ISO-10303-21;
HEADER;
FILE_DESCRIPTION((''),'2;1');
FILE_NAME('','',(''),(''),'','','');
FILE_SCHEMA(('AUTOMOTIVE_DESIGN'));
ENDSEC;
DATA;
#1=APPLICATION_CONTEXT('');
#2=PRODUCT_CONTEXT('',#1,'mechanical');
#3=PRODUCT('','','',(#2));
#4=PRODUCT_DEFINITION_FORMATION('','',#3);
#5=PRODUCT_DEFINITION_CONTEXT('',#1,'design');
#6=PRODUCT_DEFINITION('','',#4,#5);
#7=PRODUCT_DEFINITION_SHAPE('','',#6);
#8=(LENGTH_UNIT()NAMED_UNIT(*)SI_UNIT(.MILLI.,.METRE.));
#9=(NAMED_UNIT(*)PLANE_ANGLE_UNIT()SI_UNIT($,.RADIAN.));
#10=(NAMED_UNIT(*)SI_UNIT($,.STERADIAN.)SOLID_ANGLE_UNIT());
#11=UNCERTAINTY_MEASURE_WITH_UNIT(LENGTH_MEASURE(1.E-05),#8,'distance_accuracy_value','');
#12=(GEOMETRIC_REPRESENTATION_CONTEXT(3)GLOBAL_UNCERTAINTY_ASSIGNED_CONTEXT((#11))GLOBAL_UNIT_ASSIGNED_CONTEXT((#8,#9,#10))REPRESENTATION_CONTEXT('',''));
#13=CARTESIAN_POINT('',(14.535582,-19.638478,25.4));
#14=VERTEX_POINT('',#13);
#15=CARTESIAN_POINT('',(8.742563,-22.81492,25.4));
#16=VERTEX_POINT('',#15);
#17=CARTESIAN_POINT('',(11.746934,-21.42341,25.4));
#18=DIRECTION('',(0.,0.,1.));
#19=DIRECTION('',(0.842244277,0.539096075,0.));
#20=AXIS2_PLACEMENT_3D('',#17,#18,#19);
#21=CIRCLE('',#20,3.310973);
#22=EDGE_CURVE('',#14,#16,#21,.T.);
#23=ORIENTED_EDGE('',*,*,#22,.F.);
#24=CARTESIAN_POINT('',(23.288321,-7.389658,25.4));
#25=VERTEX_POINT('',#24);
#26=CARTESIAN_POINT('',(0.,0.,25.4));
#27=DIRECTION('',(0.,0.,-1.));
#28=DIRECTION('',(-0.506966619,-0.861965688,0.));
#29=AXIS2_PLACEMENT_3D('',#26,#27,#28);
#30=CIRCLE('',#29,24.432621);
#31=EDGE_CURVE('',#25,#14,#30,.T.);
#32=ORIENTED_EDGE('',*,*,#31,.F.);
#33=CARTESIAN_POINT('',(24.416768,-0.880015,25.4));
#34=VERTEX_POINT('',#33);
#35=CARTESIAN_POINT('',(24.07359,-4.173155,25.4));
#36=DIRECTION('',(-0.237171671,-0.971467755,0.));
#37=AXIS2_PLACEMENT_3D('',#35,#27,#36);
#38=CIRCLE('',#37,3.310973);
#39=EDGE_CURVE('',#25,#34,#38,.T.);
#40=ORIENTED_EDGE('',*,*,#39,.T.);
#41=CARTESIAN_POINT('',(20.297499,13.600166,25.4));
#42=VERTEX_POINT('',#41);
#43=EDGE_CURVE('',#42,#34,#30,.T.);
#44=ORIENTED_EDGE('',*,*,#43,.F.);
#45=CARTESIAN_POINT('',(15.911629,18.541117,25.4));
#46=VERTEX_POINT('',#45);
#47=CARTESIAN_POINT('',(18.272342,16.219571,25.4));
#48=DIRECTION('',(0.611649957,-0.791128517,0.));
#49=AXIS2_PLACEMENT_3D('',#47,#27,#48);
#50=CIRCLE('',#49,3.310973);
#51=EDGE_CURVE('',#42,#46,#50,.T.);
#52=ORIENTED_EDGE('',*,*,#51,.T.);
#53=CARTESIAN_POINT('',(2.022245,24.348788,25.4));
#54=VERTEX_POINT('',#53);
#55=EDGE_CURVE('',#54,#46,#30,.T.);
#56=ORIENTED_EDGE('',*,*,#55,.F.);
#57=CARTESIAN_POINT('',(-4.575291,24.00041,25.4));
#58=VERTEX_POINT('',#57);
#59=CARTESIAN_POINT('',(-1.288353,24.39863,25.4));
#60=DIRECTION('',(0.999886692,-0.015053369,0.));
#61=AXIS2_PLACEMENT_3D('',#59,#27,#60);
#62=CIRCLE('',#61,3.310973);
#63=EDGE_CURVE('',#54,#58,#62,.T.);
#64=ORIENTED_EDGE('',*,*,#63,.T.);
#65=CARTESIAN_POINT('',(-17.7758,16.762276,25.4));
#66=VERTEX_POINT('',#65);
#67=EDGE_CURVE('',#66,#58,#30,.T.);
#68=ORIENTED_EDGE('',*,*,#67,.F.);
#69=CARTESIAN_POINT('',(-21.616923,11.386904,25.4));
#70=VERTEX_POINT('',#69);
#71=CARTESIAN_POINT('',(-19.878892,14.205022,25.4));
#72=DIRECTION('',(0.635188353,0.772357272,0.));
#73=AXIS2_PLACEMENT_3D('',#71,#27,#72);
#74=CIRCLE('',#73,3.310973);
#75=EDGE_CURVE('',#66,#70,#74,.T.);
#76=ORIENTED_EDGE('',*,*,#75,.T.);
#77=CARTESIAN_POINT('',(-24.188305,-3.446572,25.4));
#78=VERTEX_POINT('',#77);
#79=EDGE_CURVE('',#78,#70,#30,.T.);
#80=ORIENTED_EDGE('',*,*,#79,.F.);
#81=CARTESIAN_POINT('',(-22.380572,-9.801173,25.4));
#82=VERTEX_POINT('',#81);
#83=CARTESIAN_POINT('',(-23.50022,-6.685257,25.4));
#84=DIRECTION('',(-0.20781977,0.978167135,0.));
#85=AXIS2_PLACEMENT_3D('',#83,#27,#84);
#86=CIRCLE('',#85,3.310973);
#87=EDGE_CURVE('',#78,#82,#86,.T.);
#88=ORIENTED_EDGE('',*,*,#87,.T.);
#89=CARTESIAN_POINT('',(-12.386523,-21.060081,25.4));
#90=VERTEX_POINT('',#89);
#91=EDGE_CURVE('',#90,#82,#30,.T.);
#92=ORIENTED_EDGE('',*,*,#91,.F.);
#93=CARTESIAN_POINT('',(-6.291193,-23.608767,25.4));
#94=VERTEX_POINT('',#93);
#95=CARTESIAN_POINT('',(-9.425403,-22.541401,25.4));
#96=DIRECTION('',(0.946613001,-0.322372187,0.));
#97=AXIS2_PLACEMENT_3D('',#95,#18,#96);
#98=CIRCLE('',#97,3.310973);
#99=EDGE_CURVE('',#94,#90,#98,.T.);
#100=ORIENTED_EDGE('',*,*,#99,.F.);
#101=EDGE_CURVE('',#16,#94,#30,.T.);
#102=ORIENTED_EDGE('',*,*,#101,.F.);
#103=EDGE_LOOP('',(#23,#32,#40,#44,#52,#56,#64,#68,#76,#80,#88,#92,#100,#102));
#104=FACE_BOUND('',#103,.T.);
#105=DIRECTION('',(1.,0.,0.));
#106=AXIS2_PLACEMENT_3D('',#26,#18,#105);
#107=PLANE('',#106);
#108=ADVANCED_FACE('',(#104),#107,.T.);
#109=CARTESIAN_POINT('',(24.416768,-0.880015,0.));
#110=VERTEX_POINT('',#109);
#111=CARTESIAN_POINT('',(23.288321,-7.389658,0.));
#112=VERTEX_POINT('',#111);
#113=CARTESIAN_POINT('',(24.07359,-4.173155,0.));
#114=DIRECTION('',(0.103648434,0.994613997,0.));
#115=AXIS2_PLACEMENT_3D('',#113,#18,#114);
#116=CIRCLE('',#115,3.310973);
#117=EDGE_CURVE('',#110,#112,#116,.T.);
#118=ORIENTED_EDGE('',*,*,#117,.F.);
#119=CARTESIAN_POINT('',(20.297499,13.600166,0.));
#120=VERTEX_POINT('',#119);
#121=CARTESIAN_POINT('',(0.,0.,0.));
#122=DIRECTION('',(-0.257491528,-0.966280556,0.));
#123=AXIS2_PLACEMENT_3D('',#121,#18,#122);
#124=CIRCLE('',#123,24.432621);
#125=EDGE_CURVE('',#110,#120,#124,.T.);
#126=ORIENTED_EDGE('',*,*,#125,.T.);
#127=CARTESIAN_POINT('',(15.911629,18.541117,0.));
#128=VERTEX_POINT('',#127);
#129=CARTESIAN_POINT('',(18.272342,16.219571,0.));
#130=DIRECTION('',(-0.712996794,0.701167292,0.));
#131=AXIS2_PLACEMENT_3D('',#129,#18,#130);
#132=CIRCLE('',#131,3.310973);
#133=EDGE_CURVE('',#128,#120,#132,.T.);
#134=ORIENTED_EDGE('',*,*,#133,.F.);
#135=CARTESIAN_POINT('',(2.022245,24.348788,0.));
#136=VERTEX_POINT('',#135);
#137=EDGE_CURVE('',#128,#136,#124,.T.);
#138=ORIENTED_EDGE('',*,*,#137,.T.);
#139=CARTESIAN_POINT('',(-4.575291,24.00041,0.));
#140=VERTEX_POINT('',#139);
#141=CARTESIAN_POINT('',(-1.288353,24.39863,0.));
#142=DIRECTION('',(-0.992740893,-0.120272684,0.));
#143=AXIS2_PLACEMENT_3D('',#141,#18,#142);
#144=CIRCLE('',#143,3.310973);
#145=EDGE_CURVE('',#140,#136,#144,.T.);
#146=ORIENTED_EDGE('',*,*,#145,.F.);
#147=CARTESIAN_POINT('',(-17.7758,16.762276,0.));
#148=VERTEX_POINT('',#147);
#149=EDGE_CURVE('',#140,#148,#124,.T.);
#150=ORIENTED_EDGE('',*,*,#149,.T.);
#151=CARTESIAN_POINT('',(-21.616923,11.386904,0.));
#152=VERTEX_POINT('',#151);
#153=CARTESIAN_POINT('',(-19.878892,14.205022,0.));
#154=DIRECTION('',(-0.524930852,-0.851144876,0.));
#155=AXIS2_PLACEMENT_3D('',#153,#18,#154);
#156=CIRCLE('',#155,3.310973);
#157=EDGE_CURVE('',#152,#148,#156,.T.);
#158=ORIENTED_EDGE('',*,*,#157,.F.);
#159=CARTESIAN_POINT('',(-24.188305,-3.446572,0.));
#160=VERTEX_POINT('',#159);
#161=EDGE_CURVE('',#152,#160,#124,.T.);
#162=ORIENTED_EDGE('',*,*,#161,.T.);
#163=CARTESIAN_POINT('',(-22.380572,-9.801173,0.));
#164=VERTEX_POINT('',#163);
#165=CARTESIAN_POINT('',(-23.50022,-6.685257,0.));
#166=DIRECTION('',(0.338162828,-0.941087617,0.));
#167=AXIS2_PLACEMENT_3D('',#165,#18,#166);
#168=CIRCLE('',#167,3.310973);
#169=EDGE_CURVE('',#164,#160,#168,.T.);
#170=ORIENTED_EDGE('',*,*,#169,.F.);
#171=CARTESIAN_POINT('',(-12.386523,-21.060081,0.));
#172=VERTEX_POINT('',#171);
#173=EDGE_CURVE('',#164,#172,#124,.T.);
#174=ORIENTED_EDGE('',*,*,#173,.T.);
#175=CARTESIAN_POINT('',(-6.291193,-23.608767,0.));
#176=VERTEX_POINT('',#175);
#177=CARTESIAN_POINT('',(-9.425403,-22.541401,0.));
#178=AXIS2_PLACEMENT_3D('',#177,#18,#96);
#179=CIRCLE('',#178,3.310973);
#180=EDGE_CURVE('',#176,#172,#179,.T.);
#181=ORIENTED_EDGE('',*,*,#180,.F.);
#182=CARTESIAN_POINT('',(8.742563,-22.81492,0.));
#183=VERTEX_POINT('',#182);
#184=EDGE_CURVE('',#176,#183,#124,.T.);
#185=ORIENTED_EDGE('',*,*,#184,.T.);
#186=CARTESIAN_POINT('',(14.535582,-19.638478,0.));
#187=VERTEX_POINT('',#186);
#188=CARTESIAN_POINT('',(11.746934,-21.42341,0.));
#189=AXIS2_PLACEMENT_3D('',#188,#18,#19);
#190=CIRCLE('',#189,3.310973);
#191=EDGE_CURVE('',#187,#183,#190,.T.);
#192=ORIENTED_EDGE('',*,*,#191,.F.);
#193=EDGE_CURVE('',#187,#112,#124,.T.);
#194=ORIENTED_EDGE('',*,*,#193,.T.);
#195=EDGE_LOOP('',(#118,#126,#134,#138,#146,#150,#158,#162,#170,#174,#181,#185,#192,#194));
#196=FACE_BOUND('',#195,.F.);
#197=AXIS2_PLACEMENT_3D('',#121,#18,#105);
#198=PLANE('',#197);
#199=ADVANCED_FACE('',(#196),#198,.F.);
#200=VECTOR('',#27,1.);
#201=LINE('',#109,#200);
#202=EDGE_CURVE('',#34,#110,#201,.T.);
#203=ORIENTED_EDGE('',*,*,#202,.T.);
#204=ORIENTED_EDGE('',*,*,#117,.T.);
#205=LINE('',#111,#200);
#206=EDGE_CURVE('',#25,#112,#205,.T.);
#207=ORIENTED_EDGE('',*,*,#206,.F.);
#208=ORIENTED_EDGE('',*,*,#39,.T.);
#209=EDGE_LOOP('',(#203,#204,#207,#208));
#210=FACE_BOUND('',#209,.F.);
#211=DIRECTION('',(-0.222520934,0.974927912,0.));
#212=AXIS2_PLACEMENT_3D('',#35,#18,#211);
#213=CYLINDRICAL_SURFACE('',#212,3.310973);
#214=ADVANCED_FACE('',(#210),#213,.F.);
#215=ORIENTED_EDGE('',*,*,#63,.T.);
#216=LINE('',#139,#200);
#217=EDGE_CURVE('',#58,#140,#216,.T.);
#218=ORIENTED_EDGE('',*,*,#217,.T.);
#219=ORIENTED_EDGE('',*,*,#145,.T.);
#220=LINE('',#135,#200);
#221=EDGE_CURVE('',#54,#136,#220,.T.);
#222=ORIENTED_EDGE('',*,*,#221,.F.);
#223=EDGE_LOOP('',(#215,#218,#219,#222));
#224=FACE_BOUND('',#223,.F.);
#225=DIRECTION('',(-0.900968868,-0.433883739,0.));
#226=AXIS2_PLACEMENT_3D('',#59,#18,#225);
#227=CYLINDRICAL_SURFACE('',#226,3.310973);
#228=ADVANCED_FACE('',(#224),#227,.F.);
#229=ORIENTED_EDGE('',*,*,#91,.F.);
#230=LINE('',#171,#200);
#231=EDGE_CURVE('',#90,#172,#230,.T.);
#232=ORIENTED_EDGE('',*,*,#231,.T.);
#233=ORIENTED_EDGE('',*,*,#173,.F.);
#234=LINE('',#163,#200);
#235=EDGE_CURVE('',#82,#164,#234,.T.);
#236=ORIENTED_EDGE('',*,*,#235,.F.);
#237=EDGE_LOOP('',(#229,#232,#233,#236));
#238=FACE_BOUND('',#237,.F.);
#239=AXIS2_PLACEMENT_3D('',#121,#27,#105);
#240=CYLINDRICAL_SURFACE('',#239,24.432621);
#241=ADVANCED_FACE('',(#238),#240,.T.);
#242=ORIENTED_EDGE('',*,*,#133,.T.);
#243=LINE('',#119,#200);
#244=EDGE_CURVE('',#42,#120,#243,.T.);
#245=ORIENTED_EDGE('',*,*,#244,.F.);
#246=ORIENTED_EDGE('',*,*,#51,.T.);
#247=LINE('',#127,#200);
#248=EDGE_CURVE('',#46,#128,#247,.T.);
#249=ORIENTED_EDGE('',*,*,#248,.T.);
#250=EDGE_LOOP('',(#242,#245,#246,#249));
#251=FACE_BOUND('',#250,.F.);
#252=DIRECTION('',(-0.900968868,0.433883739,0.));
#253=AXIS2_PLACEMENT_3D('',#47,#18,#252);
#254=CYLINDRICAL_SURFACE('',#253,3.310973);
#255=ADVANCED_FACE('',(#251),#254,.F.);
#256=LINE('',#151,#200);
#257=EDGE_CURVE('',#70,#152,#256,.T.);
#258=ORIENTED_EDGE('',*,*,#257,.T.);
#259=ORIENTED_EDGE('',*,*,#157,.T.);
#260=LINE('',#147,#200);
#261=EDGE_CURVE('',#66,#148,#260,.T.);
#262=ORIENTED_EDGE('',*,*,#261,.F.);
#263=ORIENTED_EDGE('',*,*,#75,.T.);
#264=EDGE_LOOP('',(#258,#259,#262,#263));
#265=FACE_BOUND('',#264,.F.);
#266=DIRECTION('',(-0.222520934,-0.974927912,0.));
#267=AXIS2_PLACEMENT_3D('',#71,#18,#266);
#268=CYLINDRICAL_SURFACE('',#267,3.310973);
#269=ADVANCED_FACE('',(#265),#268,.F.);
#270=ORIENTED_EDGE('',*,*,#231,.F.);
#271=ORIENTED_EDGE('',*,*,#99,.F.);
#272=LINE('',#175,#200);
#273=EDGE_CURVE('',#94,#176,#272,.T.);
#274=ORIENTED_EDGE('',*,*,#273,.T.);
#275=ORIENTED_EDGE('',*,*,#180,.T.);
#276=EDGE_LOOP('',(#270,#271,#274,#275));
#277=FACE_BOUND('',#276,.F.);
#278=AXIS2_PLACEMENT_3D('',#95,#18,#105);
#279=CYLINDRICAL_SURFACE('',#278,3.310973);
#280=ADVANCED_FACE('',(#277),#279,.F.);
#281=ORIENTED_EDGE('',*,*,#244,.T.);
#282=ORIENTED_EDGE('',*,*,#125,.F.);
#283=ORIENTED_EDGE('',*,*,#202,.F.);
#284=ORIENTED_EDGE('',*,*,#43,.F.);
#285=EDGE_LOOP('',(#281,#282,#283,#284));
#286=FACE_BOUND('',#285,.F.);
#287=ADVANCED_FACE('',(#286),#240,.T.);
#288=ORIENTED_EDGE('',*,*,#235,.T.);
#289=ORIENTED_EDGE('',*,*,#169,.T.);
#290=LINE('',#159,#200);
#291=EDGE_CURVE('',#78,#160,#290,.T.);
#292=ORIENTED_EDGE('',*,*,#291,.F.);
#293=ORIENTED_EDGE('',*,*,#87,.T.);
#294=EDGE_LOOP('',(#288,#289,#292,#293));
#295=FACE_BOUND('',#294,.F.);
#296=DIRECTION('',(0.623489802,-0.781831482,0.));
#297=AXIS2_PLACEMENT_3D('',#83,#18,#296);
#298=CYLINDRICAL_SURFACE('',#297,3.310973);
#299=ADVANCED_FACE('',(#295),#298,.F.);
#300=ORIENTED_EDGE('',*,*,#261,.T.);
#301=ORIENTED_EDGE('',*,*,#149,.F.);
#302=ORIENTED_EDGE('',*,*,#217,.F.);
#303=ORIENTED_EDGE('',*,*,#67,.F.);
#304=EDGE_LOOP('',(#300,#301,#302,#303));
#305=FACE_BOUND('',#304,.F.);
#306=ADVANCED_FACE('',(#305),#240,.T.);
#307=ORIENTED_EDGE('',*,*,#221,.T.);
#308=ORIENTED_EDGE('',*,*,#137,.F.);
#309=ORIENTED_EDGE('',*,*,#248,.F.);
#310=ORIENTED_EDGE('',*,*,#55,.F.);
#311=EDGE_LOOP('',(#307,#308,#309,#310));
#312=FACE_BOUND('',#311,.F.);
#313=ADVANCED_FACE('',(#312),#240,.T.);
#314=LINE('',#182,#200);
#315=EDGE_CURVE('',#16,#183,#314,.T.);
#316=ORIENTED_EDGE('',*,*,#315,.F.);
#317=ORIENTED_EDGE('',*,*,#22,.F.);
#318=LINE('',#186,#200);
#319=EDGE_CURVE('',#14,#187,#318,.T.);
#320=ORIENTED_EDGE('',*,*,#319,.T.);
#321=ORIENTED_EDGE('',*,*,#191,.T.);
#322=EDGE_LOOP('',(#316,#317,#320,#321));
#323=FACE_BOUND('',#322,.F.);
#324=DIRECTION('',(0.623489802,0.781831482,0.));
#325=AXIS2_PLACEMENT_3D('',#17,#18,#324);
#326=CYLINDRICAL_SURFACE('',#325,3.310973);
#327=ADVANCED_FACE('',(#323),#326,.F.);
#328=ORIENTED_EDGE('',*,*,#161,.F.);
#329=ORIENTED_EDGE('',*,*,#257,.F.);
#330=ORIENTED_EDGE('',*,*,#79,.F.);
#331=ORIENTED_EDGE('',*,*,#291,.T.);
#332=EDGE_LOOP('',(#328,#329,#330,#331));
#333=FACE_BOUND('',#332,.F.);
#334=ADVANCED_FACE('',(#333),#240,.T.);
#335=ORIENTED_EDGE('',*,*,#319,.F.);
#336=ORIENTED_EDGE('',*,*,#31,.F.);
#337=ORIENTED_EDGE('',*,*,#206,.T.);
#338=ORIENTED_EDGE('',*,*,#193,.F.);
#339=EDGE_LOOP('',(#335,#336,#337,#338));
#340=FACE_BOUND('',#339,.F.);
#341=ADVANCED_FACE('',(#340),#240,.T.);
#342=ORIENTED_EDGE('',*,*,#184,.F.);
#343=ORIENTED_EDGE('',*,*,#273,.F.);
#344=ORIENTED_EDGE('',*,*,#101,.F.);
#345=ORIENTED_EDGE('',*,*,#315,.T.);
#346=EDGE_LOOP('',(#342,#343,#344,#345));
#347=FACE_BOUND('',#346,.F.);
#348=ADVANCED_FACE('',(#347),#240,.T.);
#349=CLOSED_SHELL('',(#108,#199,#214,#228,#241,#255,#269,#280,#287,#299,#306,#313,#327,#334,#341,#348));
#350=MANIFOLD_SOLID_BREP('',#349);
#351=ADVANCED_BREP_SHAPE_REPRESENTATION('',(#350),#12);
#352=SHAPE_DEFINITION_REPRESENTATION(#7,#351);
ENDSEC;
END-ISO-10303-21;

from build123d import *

# Parameters (mm, degrees)
F0_R          = 24.432621
F1_DEPTH      = 25.4
F2_R          = 3.310973
F3_DEPTH      = 5.842
F3_DEPTH_BACK = 30.988
F4_COUNT      = 7


with BuildPart() as f1:
    # F0 (on Top) → F1 (new body)
    with BuildSketch(Plane.XY):
        Circle(F0_R)
    extrude(amount=F1_DEPTH)


with BuildPart() as f3:
    # F2 (on face) → F3 (new body, two sides)
    with BuildSketch(Plane.XY.offset(25.4)) as f3_sk:
        with Locations((-9.425403, -22.541401)):
            Circle(F2_R)
    extrude(amount=F3_DEPTH)
    extrude(f3_sk.sketch, amount=-F3_DEPTH_BACK)


with BuildPart() as f4_1:
    # F4: instance of F3
    add(f3.part.rotate(Axis((0, 0, 25.4), (0, 0, 1)), 1 * 360 / F4_COUNT))


with BuildPart() as f4_2:
    # F4: instance of F3
    add(f3.part.rotate(Axis((0, 0, 25.4), (0, 0, 1)), 2 * 360 / F4_COUNT))


with BuildPart() as f4_3:
    # F4: instance of F3
    add(f3.part.rotate(Axis((0, 0, 25.4), (0, 0, 1)), 3 * 360 / F4_COUNT))


with BuildPart() as f4_4:
    # F4: instance of F3
    add(f3.part.rotate(Axis((0, 0, 25.4), (0, 0, 1)), 4 * 360 / F4_COUNT))


with BuildPart() as f4_5:
    # F4: instance of F3
    add(f3.part.rotate(Axis((0, 0, 25.4), (0, 0, 1)), 5 * 360 / F4_COUNT))


with BuildPart() as f4_6:
    # F4: instance of F3
    add(f3.part.rotate(Axis((0, 0, 25.4), (0, 0, 1)), 6 * 360 / F4_COUNT))


with BuildPart() as f1_1:
    add(f1.part)

    # F5: cut F3, F4_1, F4_2, F4_3, F4_4, F4_5, F4_6
    add(f3.part, mode=Mode.SUBTRACT)
    add(f4_1.part, mode=Mode.SUBTRACT)
    add(f4_2.part, mode=Mode.SUBTRACT)
    add(f4_3.part, mode=Mode.SUBTRACT)
    add(f4_4.part, mode=Mode.SUBTRACT)
    add(f4_5.part, mode=Mode.SUBTRACT)
    add(f4_6.part, mode=Mode.SUBTRACT)


solid = f1_1.part
